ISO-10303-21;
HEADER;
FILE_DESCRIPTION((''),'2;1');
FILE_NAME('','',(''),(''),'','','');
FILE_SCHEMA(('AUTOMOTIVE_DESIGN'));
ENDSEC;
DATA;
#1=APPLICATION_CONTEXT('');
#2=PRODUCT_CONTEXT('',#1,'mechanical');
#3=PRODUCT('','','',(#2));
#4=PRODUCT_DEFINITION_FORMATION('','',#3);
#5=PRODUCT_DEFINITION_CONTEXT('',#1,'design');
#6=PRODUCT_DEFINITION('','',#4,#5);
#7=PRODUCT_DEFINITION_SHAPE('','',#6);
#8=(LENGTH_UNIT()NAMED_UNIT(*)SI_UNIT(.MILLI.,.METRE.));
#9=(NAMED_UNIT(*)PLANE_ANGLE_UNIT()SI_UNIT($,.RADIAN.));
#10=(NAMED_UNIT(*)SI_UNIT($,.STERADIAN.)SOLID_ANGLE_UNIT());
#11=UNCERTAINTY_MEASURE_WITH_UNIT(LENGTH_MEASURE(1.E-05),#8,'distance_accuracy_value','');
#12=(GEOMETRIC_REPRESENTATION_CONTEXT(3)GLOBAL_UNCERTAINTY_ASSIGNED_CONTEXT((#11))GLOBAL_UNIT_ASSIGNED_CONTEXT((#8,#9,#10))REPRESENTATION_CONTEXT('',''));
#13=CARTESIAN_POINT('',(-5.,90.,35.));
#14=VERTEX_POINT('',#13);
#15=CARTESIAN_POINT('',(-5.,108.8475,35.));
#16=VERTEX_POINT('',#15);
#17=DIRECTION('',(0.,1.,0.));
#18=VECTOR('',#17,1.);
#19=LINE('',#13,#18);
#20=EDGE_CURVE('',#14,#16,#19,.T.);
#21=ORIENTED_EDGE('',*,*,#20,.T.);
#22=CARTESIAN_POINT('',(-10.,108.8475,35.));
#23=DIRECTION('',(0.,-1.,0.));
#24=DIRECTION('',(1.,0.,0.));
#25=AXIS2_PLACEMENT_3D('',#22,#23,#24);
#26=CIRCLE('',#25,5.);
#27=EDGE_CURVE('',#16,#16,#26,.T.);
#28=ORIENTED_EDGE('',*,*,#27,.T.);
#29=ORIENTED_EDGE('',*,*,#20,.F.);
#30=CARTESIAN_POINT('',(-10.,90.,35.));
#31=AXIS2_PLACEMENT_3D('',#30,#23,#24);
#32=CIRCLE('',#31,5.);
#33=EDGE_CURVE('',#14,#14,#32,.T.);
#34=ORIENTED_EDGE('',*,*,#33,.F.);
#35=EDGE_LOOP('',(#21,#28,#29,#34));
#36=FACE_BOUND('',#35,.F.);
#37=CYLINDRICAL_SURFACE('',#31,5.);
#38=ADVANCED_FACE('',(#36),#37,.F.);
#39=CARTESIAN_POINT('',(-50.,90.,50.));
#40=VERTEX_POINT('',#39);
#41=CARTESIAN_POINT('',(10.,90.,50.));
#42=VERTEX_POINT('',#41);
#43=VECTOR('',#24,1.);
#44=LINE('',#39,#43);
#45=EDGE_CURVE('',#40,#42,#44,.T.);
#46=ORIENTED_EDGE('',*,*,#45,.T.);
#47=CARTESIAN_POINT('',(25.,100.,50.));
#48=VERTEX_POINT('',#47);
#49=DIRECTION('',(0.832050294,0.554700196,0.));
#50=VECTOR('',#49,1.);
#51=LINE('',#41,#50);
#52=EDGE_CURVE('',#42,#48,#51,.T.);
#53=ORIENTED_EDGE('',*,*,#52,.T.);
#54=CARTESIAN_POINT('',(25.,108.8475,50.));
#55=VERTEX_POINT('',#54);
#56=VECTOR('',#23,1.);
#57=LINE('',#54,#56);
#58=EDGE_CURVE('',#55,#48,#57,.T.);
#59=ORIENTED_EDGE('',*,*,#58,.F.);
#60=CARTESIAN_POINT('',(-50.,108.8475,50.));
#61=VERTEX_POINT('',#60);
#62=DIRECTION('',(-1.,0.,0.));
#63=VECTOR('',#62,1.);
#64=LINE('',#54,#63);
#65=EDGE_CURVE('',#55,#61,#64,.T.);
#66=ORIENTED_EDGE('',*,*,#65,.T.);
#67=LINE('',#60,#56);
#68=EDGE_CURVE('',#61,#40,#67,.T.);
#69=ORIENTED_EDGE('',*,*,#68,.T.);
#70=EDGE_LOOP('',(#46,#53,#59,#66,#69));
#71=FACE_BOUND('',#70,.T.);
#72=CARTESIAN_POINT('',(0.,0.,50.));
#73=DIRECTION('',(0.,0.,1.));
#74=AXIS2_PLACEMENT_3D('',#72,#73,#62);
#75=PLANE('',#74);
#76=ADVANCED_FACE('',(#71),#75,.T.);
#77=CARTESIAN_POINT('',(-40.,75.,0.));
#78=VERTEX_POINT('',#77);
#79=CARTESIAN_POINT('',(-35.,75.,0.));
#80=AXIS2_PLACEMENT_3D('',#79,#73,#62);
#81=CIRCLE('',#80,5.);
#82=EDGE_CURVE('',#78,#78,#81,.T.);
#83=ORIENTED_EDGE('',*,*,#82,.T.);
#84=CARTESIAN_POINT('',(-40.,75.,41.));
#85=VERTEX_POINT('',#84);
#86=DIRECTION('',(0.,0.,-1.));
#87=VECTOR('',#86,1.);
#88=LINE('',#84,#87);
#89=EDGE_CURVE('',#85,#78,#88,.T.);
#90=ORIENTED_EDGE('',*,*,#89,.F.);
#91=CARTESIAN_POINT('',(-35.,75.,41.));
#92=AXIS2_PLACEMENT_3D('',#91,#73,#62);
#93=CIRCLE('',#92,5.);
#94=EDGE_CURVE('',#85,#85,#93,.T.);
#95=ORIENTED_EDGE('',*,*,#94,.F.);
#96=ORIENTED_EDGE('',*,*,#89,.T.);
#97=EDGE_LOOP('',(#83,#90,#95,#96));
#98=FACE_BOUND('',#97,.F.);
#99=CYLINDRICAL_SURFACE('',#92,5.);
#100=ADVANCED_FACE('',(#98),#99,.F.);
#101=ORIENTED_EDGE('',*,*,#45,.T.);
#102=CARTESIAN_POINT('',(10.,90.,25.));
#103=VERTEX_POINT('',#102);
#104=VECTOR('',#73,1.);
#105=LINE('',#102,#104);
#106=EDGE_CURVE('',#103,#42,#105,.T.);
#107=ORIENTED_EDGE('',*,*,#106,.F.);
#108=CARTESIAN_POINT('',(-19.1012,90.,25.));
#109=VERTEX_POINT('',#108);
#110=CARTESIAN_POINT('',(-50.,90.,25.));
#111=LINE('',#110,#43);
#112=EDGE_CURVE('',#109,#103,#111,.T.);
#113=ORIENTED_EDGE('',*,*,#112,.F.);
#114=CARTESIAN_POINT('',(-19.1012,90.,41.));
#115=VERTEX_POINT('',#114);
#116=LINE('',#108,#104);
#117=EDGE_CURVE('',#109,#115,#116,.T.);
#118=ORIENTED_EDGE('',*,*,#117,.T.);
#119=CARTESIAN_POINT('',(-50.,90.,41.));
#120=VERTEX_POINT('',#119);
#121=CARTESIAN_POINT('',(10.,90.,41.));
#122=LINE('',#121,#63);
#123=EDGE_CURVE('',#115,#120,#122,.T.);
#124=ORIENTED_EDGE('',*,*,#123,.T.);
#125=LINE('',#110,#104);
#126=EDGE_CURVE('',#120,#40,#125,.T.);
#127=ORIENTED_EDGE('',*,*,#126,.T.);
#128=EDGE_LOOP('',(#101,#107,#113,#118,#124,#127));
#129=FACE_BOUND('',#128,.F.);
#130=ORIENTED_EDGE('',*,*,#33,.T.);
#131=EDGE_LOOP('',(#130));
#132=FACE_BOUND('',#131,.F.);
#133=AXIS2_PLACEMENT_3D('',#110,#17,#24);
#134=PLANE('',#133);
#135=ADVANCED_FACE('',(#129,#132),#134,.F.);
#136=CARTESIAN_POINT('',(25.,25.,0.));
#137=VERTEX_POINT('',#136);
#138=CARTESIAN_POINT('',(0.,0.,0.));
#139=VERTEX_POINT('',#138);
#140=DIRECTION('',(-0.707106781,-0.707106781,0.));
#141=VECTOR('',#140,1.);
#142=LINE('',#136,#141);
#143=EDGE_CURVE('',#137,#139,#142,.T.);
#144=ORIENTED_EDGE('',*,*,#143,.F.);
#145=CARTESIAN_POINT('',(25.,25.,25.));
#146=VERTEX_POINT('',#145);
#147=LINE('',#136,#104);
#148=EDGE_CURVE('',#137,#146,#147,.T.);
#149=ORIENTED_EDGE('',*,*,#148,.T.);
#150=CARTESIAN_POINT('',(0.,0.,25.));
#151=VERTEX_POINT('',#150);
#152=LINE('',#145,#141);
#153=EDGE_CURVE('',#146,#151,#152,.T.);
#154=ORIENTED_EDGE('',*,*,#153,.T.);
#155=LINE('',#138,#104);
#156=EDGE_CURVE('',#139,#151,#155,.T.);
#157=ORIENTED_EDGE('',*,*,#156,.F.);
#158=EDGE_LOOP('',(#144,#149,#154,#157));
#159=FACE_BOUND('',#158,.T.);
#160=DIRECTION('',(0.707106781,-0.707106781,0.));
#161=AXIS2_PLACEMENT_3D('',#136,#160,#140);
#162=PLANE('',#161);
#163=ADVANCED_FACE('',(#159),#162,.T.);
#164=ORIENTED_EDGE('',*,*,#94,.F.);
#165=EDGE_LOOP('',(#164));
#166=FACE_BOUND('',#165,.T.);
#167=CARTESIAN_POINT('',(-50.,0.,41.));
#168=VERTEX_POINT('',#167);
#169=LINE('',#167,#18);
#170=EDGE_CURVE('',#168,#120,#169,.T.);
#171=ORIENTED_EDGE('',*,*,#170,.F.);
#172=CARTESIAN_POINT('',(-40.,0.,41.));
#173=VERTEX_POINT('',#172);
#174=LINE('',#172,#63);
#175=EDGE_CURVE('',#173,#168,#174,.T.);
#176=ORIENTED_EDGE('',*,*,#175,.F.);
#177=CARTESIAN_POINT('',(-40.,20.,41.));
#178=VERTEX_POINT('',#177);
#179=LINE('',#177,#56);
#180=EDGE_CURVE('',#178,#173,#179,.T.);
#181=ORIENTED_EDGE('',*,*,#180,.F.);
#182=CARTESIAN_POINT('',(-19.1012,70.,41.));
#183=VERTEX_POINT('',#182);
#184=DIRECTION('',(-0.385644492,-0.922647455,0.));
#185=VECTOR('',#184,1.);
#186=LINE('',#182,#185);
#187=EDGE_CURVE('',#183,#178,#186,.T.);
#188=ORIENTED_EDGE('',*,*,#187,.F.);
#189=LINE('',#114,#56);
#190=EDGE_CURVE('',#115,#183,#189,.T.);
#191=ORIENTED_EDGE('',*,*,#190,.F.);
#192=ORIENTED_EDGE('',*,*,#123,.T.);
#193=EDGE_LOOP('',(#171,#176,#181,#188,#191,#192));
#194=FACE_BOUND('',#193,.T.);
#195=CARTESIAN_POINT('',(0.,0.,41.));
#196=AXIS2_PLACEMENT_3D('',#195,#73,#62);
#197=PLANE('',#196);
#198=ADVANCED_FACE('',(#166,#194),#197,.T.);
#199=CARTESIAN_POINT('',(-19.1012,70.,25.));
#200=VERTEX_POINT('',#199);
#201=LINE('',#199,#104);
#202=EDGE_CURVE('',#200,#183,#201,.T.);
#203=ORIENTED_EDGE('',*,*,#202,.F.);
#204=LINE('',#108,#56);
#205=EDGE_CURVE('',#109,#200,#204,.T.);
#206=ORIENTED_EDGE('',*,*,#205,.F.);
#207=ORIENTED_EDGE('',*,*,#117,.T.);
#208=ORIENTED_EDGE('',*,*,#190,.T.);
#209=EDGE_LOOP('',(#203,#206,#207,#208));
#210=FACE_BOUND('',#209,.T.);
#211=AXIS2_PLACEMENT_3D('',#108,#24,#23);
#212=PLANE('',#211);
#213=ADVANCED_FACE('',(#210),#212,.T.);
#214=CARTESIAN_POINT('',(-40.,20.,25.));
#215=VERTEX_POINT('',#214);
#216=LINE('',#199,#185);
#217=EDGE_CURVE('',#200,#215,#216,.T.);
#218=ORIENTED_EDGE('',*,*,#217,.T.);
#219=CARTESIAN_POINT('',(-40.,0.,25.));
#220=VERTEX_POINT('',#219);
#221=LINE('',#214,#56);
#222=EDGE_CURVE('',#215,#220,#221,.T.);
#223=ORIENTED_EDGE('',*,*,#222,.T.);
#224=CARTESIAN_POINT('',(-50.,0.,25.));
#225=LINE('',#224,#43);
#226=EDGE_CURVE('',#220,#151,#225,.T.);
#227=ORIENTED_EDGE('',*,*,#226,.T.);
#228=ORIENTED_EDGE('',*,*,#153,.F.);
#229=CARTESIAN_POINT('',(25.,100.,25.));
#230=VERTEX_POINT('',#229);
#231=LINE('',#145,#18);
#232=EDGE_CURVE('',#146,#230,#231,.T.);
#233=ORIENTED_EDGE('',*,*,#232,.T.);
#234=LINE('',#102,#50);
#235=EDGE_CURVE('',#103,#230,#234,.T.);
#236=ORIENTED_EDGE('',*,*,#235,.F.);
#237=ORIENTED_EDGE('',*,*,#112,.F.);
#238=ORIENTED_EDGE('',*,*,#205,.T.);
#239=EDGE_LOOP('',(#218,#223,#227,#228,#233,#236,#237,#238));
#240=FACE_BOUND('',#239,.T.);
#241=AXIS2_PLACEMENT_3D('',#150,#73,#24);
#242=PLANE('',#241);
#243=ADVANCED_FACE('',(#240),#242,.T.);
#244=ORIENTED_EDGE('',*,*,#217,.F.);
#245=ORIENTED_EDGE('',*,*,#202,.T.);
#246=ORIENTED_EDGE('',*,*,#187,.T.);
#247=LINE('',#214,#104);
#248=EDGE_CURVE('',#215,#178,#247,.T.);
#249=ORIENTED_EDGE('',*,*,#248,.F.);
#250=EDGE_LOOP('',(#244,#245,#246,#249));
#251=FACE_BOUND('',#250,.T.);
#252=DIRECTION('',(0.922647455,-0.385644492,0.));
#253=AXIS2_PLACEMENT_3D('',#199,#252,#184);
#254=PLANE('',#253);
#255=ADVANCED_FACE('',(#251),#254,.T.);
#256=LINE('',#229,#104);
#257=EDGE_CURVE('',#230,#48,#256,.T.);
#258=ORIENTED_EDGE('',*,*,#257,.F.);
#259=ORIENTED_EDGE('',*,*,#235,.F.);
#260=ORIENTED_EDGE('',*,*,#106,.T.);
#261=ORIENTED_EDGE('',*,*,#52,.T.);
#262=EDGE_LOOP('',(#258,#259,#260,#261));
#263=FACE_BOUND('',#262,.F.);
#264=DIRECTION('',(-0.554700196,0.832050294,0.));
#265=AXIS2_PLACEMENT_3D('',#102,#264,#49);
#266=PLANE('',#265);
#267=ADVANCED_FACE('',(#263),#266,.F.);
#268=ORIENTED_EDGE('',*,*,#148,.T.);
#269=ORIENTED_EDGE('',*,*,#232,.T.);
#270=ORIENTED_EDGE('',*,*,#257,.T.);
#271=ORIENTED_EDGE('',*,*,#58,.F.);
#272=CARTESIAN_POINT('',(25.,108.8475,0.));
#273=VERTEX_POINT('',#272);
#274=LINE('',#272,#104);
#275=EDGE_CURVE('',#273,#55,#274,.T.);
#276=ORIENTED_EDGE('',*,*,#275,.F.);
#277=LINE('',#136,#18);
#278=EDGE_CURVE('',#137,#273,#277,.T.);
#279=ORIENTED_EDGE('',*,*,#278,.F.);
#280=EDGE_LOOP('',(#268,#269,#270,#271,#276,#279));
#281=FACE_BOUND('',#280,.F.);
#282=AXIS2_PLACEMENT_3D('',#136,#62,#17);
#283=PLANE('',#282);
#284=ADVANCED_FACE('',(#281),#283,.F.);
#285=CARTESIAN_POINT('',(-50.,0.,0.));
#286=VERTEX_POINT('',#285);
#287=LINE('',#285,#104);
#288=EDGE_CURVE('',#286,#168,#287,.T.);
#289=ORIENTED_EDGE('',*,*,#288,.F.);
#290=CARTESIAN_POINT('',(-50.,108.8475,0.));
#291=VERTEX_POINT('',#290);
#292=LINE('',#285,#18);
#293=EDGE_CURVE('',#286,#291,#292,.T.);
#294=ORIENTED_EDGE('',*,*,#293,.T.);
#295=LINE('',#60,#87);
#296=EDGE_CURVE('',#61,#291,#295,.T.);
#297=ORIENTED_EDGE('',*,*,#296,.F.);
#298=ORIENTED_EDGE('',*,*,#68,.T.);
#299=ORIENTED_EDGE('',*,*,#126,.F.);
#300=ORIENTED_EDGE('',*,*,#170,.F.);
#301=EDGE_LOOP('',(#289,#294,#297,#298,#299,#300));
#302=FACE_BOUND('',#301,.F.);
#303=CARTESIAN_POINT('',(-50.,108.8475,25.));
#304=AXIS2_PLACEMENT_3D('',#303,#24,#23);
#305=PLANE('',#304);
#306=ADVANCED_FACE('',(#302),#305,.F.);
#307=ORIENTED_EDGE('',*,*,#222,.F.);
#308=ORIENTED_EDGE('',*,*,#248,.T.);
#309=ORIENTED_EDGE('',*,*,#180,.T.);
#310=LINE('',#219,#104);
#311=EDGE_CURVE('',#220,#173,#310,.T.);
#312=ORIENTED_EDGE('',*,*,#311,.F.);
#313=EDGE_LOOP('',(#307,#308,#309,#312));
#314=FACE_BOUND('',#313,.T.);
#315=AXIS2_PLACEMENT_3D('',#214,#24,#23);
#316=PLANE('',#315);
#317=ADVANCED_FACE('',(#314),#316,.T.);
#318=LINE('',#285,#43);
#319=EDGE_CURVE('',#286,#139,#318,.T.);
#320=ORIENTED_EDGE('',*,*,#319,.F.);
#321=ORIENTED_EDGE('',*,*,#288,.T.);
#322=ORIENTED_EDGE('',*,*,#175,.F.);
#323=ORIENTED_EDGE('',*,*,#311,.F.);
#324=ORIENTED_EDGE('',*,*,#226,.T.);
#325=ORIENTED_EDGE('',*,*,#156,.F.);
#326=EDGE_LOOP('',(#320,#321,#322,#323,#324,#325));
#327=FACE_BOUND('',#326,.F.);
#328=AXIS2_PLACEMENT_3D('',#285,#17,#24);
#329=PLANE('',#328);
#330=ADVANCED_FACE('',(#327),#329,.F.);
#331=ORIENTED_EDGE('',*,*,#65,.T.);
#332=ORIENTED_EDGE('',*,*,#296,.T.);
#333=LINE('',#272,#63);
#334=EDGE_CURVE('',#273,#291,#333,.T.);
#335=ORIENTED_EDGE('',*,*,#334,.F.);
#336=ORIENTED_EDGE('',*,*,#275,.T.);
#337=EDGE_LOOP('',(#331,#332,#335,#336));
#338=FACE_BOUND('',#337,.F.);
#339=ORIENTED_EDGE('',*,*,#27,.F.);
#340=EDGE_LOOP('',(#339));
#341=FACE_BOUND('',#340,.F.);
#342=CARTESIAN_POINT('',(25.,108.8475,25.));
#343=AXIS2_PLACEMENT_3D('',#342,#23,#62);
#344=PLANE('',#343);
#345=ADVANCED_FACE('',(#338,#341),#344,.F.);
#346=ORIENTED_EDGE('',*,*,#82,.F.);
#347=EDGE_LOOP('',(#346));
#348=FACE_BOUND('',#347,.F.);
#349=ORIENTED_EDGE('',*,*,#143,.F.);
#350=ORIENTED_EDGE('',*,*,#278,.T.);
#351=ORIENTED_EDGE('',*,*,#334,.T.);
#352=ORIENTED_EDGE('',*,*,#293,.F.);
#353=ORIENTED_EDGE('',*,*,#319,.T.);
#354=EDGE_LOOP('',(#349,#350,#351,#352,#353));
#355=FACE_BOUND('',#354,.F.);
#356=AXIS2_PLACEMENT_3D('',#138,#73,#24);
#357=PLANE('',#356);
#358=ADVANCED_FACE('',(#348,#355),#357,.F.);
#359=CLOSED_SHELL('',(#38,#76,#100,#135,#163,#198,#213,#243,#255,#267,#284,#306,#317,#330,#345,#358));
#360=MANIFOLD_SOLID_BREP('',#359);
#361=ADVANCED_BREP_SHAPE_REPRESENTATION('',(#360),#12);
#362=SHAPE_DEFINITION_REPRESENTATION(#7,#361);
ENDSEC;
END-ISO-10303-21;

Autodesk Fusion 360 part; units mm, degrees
sketch "Sketch1" plane through (0, 0, 0) normal (0, 0, 1) x (1, 0, 0)
  line L0 (-50, 0) -> (0, 0)
  line L1 (25, 25) -> (0, 0)
  line L2 (-50, 0) -> (-50, 140)
  line L3 (21.9831, 108.8475) -> (-62.7657, 108.8475)
  line L4 (-50, 108.8475) -> (-62.7657, 108.8475)
  line L5 (25, 25) -> (25, 110)
  line L6 (21.9831, 108.8475) -> (25, 108.8475)
extrude "Extrude1" add sketch "Sketch1" along normal blind 25
sketch "Sketch2" plane through (0, 0, 25) normal (0, 0, 1) x (-1, 0, 0)
  line L0 (-25, -108.8475) -> (50, -108.8475)
  line L1 (50, -108.8475) -> (50, 0)
  line L2 (50, 0) -> (0, 0)
  line L3 (0, 0) -> (-25, -25)
  line L4 (-25, -25) -> (-25, -108.8475)
sketch "Sketch3" plane through (0, 0, 25) normal (0, 0, 1) x (-1, 0, 0)
  line L0 (-10, -90) -> (-25, -97)
  line L1 (-25, -108.8475) -> (-25, -97)
  line L2 (-10, -90) -> (50, -90)
  line L3 (19.1012, -90) -> (19.1012, -70)
  line L4 (19.1012, -70) -> (40, -20)
  line L5 (40, -20) -> (40, 0)
  line L6 (40, 0) -> (50, 0)
  line L7 (50, 0) -> (50, -108.8475)
  line L8 (50, -90) -> (50, -108.8475)
  line L9 (-25, -97) -> (-25, -108.8475)
  line L10 (50, -108.8475) -> (50, -90)
  point P0 (-25, -108.8475)
  point P1 (50, 0)
  point P2 (50, -108.8475)
extrude "Extrude2" add sketch "Sketch3" along normal blind 16
sketch "Sketch4" plane through (0, 0, 25) normal (0, 0, 1) x (-1, 0, 0)
  line L0 (-10, -90) -> (-25, -100)
  line L1 (-25, -108.8475) -> (-25, -100)
  line L2 (-25, -108.8475) -> (50, -108.8475)
  line L3 (50, -108.8475) -> (50, -90)
  line L4 (50, -90) -> (-10, -90)
  point P0 (-25, -108.8475)
  point P1 (50, -108.8475)
extrude "Extrude3" add sketch "Sketch4" along normal blind 25
sketch "Sketch5" plane through (0, 0, 41) normal (0, 0, 1) x (-1, 0, 0)
  line L0 (19.1012, -90) -> (50, -90)
  line L1 (50, -90) -> (50, 0)
  line L2 (50, 0) -> (40, 0)
  line L3 (40, 0) -> (40, -20)
  line L4 (40, -20) -> (19.1012, -70)
  line L5 (19.1012, -70) -> (19.1012, -90)
  circle A0 centre (35, -75) radius 5
extrude "Extrude4" cut sketch "Sketch5" against normal blind 41 contours A0
sketch "Sketch6" plane through (0, 90, 0) normal (0, -1, 0) x (1, 0, 0)
  line L0 (-50, 41) -> (-19.1012, 41)
  line L1 (-19.1012, 41) -> (-19.1012, 25)
  line L2 (-19.1012, 25) -> (10, 25)
  line L3 (10, 25) -> (10, 50)
  line L4 (10, 50) -> (-50, 50)
  line L5 (-50, 50) -> (-50, 41)
  circle A0 centre (-10, 35) radius 5
  dimension "d11" = 10
extrude "Extrude5" cut sketch "Sketch6" against normal blind 25 contours A0
